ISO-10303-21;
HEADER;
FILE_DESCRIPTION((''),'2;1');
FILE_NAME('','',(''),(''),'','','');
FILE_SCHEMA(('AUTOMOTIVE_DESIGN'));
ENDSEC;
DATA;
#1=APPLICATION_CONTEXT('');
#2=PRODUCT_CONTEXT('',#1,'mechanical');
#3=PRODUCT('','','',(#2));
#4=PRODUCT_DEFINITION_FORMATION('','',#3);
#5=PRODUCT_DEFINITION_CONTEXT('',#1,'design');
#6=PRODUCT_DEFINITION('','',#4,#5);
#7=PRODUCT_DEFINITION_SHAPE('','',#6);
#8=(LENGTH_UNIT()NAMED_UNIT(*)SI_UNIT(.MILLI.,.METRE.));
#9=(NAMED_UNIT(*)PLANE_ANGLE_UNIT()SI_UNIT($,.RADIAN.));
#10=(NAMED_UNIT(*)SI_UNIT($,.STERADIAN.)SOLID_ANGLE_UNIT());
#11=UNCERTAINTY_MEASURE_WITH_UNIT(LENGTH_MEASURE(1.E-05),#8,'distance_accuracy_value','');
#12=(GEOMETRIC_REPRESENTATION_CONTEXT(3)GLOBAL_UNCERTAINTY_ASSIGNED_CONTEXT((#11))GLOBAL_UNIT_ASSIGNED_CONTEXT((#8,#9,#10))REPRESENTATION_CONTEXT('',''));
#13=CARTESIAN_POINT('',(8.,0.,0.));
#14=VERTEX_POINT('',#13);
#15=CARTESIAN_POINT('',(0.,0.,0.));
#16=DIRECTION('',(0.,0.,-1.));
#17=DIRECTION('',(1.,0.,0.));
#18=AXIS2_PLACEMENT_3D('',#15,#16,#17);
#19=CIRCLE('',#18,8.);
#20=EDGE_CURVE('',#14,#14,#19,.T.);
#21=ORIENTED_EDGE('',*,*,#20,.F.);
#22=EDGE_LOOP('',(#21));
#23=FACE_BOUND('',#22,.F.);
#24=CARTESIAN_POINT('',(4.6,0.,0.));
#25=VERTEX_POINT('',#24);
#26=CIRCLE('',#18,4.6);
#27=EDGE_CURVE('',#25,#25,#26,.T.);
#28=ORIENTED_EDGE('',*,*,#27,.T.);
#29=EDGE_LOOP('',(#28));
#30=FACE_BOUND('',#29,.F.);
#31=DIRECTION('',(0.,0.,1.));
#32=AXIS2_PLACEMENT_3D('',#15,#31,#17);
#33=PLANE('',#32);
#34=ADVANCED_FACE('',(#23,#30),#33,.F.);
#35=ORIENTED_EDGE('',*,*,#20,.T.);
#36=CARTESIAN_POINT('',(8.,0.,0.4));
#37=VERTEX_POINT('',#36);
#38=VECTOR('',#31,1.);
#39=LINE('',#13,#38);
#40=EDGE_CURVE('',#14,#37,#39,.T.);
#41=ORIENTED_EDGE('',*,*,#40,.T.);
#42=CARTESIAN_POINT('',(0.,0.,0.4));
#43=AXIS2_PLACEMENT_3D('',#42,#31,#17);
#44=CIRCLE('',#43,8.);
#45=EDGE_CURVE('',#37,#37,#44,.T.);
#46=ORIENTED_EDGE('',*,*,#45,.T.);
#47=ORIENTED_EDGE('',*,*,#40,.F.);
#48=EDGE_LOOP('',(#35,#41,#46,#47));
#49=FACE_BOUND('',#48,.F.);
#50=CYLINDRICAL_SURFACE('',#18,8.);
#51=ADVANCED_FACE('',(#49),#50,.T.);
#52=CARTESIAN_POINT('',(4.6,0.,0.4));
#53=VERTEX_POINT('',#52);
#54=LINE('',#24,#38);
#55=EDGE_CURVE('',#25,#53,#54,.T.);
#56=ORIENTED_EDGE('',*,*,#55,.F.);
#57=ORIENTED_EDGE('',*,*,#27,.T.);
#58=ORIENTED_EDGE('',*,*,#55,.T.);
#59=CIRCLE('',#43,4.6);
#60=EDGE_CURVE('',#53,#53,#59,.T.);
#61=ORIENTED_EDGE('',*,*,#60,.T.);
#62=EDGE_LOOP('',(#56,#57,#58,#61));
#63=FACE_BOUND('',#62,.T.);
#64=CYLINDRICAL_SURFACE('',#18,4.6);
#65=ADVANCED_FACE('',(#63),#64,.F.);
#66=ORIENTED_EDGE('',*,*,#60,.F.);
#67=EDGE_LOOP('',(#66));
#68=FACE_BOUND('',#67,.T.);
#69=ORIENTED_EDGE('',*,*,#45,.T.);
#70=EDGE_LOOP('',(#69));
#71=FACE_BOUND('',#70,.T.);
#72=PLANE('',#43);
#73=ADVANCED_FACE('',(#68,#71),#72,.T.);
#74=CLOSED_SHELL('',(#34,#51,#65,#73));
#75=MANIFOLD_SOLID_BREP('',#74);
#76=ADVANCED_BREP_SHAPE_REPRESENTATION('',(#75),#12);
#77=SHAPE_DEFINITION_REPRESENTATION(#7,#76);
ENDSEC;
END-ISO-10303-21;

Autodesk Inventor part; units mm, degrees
ref_plane "YZ-Ebene" through (0, 0, 0) normal (1, 0, 0) x (0, 1, 0)
ref_plane "XZ-Ebene" through (0, 0, 0) normal (0, 1, 0) x (-1, 0, 0)
ref_plane "XY-Ebene" through (0, 0, 0) normal (0, 0, 1) x (1, 0, 0)
sketch "Skizze1" plane through (0, 0, 0) normal (0, 0, 1) x (1, 0, 0)
  line L0 (-11.2, 0) -> (11.2, 0) projected
  line L1 (0, -11.2) -> (0, 11.2) projected
  circle A0 centre (0, 0) radius 4.6
  circle A1 centre (0, 0) radius 8
  dimension "d0" = 9.2
  dimension "d1" = 16
extrude "Extrusion1" add sketch "Skizze1" along normal blind 0.4 contours A0 L1 A1 L0 | L0 A1 L1 A0 | A0 L0 A1 L1 | L1 A1 L0 A0
properties part number "Unterlegescheibe_ra8846s" material "Stahl"
